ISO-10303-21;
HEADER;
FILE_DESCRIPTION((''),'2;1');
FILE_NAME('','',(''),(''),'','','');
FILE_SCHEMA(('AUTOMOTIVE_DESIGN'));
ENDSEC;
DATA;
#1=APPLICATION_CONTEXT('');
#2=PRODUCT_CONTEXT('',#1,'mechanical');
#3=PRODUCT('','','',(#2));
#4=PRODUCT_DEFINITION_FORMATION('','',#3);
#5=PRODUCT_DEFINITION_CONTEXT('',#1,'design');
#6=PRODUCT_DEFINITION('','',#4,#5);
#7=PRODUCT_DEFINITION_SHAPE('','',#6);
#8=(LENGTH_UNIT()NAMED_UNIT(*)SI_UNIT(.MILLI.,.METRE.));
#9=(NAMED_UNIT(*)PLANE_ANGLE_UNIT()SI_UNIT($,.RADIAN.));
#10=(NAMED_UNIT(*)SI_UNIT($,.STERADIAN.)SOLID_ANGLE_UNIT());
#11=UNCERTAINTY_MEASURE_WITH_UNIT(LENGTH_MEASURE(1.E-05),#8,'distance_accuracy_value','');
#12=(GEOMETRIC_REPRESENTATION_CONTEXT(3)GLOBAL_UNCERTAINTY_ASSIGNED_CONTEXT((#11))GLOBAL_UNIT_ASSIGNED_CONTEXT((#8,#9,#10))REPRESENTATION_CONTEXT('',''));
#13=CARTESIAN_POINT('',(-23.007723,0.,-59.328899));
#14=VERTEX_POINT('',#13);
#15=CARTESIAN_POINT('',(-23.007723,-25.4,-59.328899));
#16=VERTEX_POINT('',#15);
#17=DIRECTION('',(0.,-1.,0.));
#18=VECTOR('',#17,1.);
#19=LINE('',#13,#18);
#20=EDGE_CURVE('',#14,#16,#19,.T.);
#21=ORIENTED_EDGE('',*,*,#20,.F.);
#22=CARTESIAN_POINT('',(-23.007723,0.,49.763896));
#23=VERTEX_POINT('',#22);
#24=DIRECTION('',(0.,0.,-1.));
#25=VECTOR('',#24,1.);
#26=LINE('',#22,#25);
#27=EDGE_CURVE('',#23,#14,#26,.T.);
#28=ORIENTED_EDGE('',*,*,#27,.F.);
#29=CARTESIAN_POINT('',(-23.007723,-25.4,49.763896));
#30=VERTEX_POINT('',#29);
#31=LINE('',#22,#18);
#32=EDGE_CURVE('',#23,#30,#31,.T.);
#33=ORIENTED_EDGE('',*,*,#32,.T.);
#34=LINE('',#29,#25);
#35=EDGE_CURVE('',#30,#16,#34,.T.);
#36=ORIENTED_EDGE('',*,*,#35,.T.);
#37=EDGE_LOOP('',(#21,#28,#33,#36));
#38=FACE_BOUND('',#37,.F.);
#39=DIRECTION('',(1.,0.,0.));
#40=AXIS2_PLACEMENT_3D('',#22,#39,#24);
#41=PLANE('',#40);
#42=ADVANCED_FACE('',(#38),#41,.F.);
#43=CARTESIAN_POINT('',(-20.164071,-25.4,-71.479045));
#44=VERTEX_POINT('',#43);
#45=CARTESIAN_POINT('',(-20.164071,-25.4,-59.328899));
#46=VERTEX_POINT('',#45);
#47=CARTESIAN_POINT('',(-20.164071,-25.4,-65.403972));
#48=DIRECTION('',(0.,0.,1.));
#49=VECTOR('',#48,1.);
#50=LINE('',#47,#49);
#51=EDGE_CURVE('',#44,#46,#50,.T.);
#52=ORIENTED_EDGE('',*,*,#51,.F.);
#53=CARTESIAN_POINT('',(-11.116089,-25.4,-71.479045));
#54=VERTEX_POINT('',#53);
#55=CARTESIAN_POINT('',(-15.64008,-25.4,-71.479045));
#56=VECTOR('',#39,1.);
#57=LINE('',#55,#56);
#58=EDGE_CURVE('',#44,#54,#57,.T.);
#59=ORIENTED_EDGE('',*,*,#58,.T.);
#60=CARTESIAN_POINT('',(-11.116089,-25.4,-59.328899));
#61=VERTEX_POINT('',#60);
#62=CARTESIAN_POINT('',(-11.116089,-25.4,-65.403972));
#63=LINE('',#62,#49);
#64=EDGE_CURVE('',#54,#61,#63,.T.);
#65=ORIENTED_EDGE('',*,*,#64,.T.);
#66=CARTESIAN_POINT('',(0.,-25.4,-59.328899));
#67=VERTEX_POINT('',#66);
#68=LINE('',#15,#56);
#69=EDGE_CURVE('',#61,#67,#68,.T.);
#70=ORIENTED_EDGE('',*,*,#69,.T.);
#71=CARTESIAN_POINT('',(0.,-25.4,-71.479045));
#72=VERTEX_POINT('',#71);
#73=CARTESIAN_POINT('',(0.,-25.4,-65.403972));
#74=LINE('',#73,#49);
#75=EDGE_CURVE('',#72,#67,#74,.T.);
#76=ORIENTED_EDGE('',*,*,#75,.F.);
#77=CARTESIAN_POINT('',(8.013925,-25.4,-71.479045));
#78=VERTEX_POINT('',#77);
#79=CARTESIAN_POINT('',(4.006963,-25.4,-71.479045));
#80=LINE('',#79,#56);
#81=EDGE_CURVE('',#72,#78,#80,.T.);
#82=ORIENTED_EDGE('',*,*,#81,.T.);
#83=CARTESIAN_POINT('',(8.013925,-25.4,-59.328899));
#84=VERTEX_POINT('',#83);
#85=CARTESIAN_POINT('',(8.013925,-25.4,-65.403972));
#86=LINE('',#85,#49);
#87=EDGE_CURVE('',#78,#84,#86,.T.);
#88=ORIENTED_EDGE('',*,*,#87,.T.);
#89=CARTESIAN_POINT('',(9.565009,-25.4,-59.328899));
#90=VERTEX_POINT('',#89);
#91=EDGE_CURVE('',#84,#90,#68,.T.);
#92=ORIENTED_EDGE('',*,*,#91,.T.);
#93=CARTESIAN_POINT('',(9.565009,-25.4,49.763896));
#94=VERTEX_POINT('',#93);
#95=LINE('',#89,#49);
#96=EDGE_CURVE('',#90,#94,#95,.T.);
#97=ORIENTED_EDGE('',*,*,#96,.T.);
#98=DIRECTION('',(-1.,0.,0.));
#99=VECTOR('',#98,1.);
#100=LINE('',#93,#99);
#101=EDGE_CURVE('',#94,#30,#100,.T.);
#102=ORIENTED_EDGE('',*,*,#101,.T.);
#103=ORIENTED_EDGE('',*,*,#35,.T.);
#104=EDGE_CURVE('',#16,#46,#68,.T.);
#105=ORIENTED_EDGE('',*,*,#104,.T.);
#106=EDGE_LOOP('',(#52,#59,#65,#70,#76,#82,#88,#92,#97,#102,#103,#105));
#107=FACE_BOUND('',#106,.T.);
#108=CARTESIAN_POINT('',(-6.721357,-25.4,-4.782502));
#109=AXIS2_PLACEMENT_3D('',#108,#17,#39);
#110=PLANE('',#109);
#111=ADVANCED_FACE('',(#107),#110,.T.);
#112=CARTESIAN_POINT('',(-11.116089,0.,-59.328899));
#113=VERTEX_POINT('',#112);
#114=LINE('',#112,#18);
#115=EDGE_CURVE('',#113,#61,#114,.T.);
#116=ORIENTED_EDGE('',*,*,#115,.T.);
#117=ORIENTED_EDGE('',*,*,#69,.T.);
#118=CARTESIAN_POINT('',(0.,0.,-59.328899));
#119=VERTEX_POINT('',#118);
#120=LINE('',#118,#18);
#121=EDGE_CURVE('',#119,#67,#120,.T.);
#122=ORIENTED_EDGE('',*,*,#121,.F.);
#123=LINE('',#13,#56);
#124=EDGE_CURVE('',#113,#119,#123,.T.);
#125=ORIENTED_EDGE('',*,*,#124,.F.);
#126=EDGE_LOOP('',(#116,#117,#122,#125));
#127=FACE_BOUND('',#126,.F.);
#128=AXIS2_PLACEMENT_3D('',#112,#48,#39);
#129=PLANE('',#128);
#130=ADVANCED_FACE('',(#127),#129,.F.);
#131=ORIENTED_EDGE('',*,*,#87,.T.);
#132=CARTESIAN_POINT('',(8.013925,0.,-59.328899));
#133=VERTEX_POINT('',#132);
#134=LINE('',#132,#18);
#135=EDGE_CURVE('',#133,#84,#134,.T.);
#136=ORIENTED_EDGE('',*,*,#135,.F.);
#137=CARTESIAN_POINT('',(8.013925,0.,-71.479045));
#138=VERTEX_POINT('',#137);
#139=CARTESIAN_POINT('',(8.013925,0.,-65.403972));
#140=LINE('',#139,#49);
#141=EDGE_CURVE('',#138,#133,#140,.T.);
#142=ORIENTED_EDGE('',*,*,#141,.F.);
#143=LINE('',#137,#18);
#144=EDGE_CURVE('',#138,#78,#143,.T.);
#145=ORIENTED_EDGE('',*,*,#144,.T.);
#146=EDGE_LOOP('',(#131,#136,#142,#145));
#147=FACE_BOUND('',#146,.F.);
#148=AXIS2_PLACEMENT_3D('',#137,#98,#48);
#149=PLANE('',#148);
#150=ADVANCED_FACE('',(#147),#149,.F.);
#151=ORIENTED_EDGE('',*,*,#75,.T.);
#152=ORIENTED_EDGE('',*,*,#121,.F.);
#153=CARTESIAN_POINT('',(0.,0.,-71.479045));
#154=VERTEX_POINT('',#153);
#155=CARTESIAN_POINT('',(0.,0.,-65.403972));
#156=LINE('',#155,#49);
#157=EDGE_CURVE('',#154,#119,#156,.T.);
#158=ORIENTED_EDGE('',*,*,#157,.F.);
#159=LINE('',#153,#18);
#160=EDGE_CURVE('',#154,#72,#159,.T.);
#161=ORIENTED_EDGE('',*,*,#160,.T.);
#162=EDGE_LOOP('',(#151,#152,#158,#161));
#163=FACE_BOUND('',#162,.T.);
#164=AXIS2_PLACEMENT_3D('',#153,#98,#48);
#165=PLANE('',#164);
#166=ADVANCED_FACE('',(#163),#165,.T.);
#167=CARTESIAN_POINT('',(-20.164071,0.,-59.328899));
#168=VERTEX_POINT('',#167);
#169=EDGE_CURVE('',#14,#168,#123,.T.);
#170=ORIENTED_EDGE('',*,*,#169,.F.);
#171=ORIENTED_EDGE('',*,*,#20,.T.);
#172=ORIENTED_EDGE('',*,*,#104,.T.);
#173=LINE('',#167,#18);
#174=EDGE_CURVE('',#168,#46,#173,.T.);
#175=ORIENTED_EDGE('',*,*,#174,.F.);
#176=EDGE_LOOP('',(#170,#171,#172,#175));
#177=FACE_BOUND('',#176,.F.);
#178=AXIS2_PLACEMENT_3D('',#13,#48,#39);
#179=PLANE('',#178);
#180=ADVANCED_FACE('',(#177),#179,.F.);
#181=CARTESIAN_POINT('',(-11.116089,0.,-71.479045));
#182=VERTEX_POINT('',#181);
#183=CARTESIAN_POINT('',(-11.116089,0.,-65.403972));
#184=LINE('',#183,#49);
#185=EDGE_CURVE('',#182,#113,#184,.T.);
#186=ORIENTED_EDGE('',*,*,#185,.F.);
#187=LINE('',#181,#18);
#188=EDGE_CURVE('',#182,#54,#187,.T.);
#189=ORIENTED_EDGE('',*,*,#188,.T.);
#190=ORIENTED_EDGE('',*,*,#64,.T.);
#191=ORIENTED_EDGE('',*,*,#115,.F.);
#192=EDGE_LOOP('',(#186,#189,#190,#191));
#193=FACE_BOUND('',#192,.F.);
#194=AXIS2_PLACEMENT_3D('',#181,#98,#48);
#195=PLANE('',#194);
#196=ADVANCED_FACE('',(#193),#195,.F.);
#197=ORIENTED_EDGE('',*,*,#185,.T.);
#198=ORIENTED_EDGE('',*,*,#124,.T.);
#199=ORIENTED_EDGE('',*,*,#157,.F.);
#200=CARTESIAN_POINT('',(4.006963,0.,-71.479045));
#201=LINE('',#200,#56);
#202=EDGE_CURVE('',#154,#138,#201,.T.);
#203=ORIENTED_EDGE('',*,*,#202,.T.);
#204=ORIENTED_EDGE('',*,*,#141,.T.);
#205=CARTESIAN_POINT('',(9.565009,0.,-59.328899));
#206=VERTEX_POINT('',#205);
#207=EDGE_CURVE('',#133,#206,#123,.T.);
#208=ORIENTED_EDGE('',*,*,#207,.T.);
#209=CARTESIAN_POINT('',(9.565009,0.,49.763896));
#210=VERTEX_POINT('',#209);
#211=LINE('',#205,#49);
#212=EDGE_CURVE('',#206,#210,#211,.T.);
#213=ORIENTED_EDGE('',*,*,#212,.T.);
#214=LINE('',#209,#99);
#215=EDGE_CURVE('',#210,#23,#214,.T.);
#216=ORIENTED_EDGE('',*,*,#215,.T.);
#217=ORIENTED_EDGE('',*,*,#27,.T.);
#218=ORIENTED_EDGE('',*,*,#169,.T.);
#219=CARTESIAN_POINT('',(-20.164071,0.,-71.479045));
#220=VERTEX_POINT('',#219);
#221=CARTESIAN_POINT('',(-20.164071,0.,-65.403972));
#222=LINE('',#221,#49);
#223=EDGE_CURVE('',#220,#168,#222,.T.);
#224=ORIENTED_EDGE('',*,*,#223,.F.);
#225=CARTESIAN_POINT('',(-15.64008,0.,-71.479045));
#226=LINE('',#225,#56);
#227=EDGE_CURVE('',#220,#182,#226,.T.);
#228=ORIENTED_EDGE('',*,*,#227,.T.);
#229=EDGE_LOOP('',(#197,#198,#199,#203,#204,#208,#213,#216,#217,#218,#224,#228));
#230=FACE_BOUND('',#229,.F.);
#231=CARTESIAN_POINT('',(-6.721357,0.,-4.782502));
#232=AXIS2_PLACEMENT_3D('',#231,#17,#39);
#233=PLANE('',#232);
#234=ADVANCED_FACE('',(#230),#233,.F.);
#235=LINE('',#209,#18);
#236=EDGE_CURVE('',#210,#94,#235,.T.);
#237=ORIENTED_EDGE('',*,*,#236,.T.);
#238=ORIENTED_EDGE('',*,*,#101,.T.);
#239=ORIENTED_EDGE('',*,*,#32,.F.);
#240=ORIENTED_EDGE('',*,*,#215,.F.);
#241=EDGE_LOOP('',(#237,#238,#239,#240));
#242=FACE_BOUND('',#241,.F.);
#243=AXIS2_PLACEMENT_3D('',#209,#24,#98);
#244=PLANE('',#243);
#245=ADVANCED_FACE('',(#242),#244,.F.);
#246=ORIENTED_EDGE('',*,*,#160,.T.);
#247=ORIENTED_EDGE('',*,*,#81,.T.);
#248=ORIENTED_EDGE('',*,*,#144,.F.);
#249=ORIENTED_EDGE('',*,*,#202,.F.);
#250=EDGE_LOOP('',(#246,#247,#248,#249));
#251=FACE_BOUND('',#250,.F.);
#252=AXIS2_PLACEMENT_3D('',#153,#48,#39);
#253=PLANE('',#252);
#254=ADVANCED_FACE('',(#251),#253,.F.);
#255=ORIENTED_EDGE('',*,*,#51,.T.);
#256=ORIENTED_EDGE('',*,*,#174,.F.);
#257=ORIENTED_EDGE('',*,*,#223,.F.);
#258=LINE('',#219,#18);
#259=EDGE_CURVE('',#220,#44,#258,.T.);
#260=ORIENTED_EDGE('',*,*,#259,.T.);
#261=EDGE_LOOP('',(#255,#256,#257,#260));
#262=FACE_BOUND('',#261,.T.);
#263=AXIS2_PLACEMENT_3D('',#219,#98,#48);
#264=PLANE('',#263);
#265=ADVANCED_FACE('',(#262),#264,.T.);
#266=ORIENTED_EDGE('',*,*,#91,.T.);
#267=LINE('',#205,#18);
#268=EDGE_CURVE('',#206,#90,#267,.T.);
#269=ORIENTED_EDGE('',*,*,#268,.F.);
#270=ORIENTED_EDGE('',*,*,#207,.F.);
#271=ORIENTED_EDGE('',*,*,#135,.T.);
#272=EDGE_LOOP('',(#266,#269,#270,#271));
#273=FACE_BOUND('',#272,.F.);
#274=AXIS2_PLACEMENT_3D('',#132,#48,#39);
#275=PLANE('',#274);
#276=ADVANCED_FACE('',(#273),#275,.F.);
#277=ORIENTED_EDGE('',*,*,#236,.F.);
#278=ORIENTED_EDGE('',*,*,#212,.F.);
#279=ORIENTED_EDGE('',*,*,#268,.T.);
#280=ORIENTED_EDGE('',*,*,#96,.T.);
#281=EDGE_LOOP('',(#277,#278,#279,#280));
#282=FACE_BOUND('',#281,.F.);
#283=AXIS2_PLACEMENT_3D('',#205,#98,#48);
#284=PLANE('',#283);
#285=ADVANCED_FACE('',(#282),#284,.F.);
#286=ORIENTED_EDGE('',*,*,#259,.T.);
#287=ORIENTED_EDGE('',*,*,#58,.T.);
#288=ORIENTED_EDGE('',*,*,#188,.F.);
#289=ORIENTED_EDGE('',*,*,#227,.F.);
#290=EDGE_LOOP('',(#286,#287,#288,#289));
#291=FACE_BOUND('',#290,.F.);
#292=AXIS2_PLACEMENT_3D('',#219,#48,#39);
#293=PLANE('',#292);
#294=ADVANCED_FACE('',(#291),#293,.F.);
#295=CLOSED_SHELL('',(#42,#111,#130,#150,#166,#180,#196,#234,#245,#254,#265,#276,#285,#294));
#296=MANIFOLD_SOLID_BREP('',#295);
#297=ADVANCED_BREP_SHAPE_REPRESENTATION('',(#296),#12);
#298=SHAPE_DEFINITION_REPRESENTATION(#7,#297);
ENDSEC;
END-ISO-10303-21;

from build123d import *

# Parameters (mm, degrees)
F0_W     = 9.047981
F0_H     = 12.150146
F0_W_2   = 8.013925
F1_DEPTH = 25.4


with BuildPart() as f1:
    # F0 (on Front) → F1 (new body)
    with BuildSketch(Plane.XZ):
        Polygon((9.565009, 49.763896), (-23.007723, 49.763896), (-23.007723, -59.328899), (-20.164071, -59.328899), (-11.11609, -59.328899), (0, -59.328899), (8.013925, -59.328899), (9.565009, -59.328899), align=None)
        with Locations((-15.64008, -65.403972)):
            Rectangle(F0_W, F0_H)
        with Locations((4.006963, -65.403972)):
            Rectangle(F0_W_2, F0_H)
    extrude(amount=F1_DEPTH)


solid = f1.part
